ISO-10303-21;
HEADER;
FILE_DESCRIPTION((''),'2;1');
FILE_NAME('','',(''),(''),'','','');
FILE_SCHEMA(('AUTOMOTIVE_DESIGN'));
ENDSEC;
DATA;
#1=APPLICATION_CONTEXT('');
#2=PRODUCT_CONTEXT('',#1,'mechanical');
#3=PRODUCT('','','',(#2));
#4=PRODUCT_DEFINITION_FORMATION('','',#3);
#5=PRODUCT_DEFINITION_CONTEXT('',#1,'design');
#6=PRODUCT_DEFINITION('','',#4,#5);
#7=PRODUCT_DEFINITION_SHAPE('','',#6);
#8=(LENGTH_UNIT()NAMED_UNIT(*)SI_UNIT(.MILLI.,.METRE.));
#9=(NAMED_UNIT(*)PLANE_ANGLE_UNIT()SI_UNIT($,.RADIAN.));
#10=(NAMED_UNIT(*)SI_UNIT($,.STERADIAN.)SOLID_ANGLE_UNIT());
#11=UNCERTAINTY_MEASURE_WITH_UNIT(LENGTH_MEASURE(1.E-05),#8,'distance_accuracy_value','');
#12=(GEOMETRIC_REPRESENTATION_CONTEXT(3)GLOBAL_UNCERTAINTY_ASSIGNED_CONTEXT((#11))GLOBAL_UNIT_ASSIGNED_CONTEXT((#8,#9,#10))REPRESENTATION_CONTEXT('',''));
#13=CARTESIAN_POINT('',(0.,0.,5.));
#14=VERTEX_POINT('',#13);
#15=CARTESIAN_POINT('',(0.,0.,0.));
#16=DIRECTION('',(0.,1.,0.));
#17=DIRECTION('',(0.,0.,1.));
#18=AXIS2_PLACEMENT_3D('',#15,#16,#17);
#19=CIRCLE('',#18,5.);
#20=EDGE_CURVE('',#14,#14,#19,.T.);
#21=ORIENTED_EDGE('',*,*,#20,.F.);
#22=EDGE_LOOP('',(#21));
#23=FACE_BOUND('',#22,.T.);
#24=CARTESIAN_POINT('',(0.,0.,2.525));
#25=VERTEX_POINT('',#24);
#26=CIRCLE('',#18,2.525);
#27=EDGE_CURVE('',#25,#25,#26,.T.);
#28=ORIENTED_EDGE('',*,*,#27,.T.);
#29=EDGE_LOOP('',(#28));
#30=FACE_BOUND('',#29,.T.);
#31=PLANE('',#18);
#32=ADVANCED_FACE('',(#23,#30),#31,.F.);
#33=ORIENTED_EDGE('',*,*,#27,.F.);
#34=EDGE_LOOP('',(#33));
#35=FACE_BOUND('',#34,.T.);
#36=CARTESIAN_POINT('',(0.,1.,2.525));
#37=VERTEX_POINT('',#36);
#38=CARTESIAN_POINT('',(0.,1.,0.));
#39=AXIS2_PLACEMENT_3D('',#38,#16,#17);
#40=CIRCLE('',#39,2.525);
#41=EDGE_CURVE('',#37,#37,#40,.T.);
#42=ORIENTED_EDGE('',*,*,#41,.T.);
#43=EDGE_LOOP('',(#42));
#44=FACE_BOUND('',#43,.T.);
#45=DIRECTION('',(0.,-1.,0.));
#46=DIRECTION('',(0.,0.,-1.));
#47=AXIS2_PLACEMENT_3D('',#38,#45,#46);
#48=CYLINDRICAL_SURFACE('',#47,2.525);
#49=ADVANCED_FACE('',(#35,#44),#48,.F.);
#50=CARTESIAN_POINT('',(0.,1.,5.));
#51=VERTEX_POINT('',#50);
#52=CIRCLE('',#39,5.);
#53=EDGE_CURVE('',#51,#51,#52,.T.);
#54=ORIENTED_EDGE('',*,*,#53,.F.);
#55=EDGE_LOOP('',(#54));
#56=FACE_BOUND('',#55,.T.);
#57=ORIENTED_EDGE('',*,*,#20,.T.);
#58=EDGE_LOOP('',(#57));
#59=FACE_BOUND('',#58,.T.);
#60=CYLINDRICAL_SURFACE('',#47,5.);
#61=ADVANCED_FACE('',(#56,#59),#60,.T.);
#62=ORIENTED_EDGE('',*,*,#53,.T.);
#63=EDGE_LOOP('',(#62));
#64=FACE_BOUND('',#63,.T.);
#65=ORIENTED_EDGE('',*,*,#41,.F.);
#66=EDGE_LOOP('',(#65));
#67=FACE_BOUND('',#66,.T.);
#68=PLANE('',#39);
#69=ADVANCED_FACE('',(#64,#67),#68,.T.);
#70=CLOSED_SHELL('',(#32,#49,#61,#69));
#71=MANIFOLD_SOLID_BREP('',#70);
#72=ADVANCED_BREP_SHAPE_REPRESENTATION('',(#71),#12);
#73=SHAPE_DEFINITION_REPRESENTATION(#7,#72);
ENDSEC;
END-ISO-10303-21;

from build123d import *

# Parameters (mm, degrees)
SKETCH1_R           = 5
SKETCH1_R_2         = 2.525
BOSS_EXTRUDE1_DEPTH = 1


with BuildPart() as part:
    # Sketch1 → Boss-Extrude1 (new body)
    with BuildSketch(Plane(origin=(0, 0, 0), x_dir=(1, 0, 0), z_dir=(0, 1, 0))):
        Circle(SKETCH1_R)
        Circle(SKETCH1_R_2, mode=Mode.SUBTRACT)
    extrude(amount=BOSS_EXTRUDE1_DEPTH)


solid = part.part
